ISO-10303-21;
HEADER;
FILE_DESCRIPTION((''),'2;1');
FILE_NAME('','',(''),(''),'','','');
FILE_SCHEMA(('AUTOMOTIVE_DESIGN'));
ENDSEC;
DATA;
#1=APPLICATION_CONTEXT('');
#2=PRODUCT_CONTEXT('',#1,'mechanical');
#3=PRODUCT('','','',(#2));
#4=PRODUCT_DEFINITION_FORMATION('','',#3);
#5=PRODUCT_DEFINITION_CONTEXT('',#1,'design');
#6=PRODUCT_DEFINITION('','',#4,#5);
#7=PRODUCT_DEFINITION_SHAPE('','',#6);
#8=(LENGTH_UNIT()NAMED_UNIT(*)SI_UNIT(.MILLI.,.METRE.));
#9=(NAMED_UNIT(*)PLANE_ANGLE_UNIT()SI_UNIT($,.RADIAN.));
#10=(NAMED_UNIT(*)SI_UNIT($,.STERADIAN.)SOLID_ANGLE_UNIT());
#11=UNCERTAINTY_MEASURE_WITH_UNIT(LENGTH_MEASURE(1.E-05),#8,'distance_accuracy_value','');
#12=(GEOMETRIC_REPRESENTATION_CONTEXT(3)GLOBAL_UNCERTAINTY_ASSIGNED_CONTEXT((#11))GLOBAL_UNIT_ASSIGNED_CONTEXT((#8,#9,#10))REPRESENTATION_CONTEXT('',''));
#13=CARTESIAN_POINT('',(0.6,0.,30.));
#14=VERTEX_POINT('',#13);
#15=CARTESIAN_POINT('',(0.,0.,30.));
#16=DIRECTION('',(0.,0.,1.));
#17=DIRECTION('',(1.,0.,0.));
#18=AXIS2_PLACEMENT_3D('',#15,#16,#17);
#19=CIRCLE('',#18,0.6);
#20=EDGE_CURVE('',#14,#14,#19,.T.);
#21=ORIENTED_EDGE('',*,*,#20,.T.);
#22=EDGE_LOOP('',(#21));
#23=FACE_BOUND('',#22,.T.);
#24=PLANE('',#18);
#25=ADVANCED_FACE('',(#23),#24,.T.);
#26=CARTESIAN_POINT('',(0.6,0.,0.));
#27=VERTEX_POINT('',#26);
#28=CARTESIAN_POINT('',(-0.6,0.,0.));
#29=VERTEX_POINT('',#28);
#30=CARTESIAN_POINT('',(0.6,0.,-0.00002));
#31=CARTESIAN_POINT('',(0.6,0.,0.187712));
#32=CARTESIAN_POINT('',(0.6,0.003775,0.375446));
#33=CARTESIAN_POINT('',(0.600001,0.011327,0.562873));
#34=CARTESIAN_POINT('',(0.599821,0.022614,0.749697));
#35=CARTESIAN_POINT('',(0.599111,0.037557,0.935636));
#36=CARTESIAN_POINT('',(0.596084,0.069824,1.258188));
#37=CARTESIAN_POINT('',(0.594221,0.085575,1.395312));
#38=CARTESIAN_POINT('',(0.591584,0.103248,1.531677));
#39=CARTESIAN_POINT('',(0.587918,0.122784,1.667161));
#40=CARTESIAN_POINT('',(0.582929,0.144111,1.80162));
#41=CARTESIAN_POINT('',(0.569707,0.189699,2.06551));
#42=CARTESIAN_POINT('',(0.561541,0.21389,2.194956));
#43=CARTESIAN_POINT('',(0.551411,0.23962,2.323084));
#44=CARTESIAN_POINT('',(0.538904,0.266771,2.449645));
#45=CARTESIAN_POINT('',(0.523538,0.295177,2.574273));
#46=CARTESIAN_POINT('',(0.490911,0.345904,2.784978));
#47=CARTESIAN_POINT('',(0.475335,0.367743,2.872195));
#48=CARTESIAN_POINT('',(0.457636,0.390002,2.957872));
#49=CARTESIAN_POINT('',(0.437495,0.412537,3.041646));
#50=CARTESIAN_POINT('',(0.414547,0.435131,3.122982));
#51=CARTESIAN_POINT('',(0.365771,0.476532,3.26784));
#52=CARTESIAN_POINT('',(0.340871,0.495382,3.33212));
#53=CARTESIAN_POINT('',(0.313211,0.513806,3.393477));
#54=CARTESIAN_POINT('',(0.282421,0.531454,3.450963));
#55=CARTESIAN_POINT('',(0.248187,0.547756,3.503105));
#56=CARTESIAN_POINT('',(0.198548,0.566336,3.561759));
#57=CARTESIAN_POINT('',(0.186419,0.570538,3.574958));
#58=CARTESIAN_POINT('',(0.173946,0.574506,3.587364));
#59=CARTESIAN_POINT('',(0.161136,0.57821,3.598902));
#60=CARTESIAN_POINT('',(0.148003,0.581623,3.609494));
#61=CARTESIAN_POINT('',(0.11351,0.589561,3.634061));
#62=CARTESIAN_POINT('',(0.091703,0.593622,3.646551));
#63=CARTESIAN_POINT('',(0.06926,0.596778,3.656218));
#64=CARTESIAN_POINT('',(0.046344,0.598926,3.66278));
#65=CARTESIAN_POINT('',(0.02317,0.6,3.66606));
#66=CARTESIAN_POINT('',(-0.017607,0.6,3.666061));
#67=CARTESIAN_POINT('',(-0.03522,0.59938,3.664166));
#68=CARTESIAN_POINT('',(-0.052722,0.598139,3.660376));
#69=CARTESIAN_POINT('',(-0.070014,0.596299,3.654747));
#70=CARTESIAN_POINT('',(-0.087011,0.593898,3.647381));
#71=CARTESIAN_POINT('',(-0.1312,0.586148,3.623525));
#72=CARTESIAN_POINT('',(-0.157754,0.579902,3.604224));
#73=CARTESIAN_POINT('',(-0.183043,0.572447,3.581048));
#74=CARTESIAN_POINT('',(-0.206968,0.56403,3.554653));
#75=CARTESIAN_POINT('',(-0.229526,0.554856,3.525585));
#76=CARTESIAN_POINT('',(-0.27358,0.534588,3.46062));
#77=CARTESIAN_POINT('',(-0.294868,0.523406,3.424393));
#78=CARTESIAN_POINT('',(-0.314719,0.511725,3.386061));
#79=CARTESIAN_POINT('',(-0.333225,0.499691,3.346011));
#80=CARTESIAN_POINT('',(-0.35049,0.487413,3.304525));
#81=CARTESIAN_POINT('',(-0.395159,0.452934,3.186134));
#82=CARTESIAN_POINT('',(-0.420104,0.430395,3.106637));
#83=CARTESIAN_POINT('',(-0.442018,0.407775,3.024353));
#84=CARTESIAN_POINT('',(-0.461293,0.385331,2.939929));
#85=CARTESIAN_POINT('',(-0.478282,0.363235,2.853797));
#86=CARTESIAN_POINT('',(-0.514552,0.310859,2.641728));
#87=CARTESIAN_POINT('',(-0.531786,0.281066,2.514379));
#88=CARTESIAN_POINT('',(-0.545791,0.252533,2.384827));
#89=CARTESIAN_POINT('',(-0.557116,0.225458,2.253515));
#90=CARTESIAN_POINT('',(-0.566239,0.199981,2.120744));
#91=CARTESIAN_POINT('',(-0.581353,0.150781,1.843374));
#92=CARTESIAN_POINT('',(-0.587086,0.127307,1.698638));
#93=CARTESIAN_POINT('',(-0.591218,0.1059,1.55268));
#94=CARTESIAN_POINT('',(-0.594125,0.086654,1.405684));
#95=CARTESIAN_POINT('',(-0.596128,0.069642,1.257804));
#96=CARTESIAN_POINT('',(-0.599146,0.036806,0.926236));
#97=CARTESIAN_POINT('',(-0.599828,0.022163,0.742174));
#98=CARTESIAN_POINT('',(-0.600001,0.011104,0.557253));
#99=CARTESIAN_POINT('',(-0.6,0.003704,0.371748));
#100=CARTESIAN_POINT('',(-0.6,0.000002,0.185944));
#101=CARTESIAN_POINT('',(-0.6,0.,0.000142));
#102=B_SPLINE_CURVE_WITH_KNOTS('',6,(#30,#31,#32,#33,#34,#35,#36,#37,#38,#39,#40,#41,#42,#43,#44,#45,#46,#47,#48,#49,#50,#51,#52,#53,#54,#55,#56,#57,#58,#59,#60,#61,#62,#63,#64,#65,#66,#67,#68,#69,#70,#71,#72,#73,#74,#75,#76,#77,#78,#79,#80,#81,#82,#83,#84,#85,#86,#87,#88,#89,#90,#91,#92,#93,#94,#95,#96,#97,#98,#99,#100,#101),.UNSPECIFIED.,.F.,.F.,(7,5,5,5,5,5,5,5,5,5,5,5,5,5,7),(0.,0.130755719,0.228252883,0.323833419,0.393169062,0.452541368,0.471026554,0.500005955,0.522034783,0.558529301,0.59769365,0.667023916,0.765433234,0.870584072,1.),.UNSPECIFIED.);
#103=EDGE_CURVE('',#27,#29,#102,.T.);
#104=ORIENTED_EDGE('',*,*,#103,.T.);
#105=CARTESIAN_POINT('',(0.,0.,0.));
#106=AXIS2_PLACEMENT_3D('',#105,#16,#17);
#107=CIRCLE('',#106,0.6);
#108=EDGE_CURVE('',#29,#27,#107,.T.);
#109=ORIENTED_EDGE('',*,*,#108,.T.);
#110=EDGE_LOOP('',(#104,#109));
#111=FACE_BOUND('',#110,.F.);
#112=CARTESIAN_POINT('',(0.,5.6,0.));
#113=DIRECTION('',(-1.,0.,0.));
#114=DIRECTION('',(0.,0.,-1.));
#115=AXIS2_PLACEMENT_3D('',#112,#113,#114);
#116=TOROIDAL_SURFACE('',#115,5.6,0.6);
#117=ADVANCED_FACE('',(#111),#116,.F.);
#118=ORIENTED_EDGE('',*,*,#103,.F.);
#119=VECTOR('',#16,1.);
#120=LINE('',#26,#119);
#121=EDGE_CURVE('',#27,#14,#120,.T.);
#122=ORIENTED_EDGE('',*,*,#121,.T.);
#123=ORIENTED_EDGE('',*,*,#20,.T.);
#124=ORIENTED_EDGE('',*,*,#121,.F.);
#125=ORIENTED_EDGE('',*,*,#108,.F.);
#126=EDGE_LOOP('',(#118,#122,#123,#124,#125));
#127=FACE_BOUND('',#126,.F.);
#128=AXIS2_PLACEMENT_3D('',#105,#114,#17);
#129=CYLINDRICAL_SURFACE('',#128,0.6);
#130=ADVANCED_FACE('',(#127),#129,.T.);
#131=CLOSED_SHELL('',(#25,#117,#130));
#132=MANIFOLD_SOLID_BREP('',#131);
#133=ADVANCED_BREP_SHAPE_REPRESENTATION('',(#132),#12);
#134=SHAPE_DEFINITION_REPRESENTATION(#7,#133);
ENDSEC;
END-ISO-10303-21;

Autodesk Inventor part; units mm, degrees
ref_plane "YZ Plane" through (0, 0, 0) normal (1, 0, 0) x (0, 1, 0)
ref_plane "XY Plane" through (0, 0, 0) normal (0, 0, 1) x (1, 0, 0)
sketch "スケッチ1" plane through (0, 0, 0) normal (0, 0, 1) x (1, 0, 0)
  circle A0 centre (0, 0) radius 0.6
  dimension "d0" = 1.2
extrude "押し出し1" add sketch "スケッチ1" along normal blind 30
ref_plane "作業平面1" through (0, 5.6, 0) normal (0, 1, 0) x (-1, 0, 0)
sketch "スケッチ3" plane through (0, 5.6, 0) normal (0, 1, 0) x (-1, 0, 0)
  circle A0 centre (0, -5.6) radius 0.6
  line L0 (0, -5) -> (2.6208, -5) construction
  line L1 (0, 0) -> (5.2204, 0)
  dimension "d6" = 1.2
  dimension "d7" = 5
revolve "回転1" cut sketch "スケッチ3" angle 360 about axis through (0, 5.6, 0) along (-1, 0, 0)
properties part number "バネねじり270.z3.2" material "鋼、高強度、低合金"
